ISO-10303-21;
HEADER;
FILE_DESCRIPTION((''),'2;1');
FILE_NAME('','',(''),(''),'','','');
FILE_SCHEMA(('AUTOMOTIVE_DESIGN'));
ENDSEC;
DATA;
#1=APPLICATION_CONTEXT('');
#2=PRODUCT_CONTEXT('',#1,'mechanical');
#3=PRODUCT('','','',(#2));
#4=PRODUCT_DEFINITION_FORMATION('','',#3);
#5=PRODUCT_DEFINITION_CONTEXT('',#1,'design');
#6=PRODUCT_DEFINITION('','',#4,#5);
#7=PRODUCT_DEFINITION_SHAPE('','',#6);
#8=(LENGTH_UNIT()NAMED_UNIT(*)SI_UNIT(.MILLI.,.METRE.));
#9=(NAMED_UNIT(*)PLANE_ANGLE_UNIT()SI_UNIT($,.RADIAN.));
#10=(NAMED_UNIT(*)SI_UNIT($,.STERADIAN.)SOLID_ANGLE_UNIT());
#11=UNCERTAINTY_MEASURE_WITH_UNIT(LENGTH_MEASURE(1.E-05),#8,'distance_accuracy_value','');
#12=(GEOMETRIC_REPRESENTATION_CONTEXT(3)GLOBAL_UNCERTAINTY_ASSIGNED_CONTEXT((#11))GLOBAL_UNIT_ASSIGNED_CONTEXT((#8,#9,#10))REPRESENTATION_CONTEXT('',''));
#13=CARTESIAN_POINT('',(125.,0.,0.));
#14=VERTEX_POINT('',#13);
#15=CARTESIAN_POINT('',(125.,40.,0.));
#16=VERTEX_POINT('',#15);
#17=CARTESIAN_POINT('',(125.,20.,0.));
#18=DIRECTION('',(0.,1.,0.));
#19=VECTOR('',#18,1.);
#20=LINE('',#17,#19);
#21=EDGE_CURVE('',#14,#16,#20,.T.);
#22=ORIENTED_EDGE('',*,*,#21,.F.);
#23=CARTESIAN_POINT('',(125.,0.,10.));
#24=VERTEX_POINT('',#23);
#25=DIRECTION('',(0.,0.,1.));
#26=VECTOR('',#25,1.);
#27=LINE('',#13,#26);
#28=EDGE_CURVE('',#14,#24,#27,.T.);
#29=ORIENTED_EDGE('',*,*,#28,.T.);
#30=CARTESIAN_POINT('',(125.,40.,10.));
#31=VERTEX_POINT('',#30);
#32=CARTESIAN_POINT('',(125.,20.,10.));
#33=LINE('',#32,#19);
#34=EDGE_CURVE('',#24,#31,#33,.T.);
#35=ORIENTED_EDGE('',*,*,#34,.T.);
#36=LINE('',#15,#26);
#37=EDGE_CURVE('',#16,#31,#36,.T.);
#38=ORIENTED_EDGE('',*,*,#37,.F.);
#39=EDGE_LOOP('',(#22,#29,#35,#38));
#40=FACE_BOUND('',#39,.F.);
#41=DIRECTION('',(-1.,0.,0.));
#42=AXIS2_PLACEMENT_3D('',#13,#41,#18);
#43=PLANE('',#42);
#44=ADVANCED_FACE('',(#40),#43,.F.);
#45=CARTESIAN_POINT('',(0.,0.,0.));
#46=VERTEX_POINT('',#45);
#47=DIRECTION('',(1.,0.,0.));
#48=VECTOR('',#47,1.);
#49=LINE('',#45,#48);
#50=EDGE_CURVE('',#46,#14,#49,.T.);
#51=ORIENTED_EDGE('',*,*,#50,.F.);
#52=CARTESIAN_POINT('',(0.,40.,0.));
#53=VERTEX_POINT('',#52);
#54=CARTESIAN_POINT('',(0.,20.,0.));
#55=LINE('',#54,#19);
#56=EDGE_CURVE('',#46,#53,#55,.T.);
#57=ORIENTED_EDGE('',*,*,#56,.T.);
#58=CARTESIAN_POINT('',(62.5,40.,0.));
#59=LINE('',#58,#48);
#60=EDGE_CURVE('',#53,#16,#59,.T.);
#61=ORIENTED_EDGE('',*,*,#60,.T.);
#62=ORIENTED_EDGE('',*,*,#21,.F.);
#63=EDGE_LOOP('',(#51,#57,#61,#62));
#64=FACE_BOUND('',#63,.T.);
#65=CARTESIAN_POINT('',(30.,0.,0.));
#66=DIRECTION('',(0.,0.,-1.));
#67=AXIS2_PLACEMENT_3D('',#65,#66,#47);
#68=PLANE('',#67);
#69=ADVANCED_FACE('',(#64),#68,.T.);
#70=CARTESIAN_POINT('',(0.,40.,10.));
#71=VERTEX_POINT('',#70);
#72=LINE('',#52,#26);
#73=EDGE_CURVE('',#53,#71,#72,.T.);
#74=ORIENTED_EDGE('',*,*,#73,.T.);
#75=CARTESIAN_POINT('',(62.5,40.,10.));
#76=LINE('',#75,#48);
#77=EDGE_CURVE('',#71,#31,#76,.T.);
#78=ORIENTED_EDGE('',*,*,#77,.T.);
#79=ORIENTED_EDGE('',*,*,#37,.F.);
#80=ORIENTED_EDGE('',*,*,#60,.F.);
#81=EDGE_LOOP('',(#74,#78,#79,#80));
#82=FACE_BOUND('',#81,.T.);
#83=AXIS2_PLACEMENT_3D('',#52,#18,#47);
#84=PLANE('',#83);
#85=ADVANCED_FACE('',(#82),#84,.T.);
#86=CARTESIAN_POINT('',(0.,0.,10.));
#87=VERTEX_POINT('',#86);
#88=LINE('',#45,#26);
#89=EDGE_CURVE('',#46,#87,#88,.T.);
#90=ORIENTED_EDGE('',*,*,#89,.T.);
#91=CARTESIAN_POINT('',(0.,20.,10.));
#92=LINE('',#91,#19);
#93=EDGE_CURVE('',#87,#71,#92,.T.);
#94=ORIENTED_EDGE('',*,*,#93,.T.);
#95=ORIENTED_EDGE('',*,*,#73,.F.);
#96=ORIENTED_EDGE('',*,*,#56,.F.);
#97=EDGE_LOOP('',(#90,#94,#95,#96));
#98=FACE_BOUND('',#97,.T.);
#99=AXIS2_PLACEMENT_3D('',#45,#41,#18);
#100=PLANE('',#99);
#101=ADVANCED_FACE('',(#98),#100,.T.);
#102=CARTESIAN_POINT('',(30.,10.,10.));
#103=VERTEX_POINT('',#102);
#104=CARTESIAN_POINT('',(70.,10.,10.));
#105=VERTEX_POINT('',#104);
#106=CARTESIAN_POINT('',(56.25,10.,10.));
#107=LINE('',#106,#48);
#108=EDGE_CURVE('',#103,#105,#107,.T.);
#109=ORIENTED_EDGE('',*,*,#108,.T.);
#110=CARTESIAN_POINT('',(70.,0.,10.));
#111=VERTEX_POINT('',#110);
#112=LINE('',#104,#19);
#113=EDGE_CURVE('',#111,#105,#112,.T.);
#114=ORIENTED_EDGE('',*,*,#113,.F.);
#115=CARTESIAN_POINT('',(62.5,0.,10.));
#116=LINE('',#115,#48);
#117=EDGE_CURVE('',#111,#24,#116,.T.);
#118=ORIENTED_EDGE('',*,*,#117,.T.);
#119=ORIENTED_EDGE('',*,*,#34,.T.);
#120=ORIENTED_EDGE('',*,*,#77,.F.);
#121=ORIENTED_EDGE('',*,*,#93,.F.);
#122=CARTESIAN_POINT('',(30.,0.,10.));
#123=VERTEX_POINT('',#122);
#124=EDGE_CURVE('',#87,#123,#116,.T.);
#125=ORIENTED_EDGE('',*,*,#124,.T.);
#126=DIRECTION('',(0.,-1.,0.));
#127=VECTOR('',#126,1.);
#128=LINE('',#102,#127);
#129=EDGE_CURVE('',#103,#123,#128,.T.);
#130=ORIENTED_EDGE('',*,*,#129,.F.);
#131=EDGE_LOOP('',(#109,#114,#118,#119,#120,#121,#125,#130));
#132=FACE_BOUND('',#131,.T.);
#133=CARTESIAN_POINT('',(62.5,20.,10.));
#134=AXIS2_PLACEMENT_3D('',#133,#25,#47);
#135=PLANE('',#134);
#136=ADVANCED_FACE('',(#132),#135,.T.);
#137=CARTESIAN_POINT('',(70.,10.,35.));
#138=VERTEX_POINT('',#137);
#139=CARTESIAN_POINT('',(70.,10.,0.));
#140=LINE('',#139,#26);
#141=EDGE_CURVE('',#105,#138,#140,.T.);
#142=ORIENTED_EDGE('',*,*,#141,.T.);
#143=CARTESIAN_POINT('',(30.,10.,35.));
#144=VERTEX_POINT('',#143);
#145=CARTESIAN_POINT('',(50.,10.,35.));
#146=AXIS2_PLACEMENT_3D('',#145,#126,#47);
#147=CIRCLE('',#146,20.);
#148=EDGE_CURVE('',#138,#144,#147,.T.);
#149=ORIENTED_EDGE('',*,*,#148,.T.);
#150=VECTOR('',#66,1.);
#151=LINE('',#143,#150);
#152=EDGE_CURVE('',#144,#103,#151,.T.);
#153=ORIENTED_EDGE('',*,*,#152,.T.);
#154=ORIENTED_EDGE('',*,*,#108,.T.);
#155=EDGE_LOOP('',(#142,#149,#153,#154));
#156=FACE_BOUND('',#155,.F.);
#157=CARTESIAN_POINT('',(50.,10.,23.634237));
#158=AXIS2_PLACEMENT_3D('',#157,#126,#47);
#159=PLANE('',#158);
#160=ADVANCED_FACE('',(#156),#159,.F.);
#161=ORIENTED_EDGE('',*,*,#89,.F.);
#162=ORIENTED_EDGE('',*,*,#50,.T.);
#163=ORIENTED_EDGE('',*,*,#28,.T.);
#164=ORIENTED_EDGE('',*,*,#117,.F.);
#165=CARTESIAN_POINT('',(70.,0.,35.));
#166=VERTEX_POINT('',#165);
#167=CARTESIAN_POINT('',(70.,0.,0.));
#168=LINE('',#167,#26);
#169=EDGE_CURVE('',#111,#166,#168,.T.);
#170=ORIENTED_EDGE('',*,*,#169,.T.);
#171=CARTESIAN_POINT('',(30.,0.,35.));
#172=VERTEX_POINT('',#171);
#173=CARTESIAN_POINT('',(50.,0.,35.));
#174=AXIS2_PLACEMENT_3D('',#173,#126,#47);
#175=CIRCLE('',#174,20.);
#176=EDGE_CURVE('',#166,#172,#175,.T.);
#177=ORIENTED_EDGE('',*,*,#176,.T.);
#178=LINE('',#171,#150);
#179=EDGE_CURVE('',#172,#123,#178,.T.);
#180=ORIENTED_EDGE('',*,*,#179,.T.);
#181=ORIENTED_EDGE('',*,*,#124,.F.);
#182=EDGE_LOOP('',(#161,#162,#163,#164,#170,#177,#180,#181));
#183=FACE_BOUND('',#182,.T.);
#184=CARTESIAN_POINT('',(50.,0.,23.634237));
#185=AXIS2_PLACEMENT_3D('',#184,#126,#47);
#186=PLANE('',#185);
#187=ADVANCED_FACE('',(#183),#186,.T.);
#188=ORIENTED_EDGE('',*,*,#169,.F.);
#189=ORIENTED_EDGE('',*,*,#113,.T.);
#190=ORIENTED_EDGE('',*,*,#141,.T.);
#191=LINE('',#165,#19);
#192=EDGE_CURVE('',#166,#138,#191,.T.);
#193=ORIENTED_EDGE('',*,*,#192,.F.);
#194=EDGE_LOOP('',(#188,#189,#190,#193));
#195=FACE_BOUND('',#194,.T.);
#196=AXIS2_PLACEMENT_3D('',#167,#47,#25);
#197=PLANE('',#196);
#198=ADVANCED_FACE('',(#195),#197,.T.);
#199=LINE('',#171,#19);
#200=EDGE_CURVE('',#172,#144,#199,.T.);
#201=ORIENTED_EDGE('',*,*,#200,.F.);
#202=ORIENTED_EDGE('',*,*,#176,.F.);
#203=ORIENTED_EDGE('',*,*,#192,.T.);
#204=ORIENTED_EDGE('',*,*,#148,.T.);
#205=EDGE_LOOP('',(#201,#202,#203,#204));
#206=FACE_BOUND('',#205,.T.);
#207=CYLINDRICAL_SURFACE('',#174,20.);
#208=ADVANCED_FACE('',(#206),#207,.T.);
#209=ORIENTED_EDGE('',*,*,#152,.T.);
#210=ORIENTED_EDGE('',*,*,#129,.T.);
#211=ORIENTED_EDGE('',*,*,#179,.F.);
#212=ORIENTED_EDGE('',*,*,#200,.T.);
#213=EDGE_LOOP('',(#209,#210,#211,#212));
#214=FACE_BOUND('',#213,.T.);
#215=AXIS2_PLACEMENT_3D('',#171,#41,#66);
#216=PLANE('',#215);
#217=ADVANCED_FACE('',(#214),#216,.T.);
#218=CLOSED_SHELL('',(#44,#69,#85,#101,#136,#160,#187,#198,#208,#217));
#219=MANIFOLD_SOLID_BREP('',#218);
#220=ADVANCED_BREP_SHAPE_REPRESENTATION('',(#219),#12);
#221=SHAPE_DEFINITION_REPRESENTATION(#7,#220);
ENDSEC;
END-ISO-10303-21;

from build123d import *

# Parameters (mm, degrees)
F0_W     = 125
F0_H     = 40
F1_DEPTH = 10
F3_DEPTH = 10


with BuildPart() as f1:
    # F0 (on Top) → F1 (new body)
    with BuildSketch(Plane.XY):
        with Locations((62.5, 20)):
            Rectangle(F0_W, F0_H)
    extrude(amount=F1_DEPTH)

    # F2 (on face) → F3 (join)
    with BuildSketch(Plane.XZ):
        with BuildLine():
            Line((30, 35), (30, 0))
            Line((30, 0), (70, 0))
            Line((70, 0), (70, 35))
            ThreePointArc((70, 35), (50, 55), (30, 35))
        make_face()
    extrude(amount=-F3_DEPTH)


solid = f1.part
